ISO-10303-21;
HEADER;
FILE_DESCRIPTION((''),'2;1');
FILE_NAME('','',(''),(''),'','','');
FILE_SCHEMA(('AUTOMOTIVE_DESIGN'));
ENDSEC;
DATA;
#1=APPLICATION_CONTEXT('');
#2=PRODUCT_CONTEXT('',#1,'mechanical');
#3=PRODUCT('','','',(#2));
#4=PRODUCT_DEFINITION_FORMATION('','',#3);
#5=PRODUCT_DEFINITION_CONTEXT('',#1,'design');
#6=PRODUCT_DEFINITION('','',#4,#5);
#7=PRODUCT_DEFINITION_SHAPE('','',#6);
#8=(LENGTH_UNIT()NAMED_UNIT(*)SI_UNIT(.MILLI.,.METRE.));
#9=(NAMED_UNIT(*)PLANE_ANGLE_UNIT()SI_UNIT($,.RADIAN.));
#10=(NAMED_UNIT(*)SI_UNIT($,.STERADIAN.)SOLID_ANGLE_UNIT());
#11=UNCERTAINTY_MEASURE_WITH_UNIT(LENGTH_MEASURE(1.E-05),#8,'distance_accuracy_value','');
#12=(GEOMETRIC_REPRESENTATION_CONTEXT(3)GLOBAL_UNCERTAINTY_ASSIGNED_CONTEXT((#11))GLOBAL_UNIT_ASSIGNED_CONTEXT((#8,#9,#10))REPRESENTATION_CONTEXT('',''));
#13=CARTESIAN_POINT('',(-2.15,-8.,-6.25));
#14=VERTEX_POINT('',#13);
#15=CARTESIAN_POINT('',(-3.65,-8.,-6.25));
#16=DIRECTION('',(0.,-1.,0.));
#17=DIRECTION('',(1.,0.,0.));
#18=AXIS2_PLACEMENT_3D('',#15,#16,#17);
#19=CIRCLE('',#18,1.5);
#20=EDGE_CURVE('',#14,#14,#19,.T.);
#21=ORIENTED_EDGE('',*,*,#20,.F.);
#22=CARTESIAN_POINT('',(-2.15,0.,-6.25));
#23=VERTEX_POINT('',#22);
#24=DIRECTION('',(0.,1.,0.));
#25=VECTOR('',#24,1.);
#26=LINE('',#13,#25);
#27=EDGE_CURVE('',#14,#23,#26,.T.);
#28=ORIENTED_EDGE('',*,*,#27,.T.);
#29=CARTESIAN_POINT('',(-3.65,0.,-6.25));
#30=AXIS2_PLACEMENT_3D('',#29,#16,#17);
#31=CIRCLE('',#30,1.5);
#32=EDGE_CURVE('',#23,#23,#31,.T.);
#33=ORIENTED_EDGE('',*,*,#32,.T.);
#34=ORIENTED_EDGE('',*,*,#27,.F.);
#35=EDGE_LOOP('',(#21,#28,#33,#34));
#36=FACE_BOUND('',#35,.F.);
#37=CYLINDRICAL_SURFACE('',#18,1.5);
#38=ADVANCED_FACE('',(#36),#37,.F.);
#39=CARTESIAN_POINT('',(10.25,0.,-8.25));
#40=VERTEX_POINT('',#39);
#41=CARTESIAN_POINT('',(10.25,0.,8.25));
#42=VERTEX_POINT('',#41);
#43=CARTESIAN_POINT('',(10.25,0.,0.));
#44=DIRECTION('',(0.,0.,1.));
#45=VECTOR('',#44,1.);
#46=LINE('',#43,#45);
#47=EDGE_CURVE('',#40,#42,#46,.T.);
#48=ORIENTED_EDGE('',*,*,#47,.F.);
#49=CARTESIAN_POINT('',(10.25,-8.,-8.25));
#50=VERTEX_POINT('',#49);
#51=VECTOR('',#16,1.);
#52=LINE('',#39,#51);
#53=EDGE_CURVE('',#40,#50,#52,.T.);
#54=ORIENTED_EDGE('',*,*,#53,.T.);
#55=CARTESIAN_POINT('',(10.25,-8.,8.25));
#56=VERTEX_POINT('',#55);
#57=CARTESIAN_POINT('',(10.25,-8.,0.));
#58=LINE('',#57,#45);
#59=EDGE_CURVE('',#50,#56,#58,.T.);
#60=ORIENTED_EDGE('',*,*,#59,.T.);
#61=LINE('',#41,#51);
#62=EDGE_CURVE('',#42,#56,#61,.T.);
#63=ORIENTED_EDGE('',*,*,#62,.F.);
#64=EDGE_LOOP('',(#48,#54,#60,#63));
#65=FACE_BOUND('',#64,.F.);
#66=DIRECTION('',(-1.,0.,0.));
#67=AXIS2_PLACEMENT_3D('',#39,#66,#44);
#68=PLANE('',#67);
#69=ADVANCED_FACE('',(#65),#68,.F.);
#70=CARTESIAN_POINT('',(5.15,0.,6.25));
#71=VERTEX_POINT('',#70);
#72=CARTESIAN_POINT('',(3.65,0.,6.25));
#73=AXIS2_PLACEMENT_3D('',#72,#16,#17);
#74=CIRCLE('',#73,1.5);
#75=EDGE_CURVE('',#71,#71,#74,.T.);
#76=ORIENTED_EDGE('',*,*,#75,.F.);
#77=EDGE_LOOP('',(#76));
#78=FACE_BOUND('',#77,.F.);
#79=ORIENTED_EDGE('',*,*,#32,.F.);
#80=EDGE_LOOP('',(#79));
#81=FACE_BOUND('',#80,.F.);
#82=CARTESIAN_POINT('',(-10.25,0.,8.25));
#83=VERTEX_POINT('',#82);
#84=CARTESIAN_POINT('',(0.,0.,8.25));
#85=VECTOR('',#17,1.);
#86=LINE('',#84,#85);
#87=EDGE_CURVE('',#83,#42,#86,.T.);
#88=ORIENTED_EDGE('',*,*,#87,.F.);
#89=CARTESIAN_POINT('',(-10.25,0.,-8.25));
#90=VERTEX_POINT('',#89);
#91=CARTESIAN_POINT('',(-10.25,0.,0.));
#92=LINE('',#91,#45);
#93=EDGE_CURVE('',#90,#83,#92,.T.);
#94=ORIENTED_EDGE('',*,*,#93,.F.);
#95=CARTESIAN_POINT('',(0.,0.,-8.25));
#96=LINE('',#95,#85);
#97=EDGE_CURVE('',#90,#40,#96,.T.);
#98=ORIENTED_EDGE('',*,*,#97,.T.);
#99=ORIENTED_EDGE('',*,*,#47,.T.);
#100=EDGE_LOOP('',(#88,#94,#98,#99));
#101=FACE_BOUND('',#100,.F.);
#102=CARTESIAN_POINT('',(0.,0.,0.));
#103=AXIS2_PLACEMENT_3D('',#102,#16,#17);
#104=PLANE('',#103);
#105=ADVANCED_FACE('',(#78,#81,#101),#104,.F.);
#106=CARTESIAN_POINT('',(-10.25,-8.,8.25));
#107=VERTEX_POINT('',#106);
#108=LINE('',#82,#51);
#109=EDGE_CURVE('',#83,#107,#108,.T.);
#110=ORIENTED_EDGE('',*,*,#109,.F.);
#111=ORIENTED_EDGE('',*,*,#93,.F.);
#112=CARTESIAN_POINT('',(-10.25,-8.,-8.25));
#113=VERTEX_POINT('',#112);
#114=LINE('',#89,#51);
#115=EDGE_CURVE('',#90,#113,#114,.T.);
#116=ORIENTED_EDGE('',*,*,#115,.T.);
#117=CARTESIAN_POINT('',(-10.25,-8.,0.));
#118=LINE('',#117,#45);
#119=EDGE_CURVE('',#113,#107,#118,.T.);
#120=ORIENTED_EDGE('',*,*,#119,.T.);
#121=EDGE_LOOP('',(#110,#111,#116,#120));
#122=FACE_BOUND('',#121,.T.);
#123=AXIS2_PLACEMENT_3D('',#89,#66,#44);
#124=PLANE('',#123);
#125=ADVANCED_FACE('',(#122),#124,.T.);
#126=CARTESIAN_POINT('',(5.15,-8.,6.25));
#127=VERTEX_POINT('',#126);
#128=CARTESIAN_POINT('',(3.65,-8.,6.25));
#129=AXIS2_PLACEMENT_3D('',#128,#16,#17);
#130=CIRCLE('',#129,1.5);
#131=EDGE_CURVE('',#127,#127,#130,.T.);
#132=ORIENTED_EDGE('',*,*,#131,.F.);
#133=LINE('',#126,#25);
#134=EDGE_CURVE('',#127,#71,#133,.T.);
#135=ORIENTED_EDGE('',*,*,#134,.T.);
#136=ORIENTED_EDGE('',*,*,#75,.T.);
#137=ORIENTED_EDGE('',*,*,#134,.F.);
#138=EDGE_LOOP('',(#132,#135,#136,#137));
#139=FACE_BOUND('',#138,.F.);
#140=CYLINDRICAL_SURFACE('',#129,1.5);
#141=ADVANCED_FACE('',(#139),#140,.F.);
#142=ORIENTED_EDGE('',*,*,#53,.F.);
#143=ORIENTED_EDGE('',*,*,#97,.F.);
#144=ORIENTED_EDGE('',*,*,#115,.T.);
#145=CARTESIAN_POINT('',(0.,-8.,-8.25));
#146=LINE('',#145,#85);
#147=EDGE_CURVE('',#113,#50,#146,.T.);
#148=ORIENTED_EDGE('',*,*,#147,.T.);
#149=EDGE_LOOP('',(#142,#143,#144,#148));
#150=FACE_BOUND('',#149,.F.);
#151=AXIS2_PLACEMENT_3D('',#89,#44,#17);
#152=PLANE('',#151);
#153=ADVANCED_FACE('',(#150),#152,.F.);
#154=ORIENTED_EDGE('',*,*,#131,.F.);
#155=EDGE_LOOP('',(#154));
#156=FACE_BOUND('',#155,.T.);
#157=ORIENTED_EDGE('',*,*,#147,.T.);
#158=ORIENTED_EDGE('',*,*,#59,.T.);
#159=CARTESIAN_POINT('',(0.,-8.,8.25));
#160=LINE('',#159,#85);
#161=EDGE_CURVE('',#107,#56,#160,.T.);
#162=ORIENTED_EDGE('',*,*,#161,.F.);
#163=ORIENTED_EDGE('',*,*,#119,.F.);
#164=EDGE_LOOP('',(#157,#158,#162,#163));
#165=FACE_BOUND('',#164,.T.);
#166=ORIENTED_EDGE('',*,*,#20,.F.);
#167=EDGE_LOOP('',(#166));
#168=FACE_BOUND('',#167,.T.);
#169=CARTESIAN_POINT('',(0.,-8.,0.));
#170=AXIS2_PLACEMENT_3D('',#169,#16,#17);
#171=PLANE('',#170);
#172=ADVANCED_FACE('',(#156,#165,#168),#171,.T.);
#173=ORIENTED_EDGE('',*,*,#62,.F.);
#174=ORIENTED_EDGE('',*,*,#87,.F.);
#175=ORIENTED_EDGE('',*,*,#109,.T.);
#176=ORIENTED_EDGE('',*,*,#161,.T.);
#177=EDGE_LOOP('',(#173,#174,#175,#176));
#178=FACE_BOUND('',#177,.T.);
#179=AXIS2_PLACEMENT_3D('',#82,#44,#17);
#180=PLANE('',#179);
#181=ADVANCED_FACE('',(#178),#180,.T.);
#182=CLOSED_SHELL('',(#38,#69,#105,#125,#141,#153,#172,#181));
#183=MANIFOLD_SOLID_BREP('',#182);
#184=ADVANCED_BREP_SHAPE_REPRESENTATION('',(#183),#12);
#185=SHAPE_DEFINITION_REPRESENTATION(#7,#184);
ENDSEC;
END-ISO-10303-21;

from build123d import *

# Parameters (mm, degrees)
F0_W     = 20.5
F0_H     = 16.5
F1_DEPTH = 8
F2_R     = 1.5
F3_DEPTH = 25
F4_DEPTH = 25
F5_DEPTH = 25


with BuildPart() as f1:
    # F0 (on Front) → F1 (new body)
    with BuildSketch(Plane.XZ):
        Rectangle(F0_W, F0_H)
    extrude(amount=F1_DEPTH)

    # F2 (on face) → F3 (cut)
    with BuildSketch(Plane.XZ.offset(8)):
        with Locations((3.65, 6.25)):
            Circle(F2_R)
        with Locations((-3.65, -6.25)):
            Circle(F2_R)
    extrude(amount=-F3_DEPTH, mode=Mode.SUBTRACT)

    # F2 (on face) → F4 (cut)
    with BuildSketch(Plane.XZ.offset(8)):
        with Locations((3.65, 6.25)):
            Circle(F2_R)
        with Locations((-3.65, -6.25)):
            Circle(F2_R)
    extrude(amount=-F4_DEPTH, mode=Mode.SUBTRACT)

    # F2 (on face) → F5 (cut)
    with BuildSketch(Plane.XZ.offset(8)):
        with Locations((3.65, 6.25)):
            Circle(F2_R)
        with Locations((-3.65, -6.25)):
            Circle(F2_R)
    extrude(amount=-F5_DEPTH, mode=Mode.SUBTRACT)


solid = f1.part
